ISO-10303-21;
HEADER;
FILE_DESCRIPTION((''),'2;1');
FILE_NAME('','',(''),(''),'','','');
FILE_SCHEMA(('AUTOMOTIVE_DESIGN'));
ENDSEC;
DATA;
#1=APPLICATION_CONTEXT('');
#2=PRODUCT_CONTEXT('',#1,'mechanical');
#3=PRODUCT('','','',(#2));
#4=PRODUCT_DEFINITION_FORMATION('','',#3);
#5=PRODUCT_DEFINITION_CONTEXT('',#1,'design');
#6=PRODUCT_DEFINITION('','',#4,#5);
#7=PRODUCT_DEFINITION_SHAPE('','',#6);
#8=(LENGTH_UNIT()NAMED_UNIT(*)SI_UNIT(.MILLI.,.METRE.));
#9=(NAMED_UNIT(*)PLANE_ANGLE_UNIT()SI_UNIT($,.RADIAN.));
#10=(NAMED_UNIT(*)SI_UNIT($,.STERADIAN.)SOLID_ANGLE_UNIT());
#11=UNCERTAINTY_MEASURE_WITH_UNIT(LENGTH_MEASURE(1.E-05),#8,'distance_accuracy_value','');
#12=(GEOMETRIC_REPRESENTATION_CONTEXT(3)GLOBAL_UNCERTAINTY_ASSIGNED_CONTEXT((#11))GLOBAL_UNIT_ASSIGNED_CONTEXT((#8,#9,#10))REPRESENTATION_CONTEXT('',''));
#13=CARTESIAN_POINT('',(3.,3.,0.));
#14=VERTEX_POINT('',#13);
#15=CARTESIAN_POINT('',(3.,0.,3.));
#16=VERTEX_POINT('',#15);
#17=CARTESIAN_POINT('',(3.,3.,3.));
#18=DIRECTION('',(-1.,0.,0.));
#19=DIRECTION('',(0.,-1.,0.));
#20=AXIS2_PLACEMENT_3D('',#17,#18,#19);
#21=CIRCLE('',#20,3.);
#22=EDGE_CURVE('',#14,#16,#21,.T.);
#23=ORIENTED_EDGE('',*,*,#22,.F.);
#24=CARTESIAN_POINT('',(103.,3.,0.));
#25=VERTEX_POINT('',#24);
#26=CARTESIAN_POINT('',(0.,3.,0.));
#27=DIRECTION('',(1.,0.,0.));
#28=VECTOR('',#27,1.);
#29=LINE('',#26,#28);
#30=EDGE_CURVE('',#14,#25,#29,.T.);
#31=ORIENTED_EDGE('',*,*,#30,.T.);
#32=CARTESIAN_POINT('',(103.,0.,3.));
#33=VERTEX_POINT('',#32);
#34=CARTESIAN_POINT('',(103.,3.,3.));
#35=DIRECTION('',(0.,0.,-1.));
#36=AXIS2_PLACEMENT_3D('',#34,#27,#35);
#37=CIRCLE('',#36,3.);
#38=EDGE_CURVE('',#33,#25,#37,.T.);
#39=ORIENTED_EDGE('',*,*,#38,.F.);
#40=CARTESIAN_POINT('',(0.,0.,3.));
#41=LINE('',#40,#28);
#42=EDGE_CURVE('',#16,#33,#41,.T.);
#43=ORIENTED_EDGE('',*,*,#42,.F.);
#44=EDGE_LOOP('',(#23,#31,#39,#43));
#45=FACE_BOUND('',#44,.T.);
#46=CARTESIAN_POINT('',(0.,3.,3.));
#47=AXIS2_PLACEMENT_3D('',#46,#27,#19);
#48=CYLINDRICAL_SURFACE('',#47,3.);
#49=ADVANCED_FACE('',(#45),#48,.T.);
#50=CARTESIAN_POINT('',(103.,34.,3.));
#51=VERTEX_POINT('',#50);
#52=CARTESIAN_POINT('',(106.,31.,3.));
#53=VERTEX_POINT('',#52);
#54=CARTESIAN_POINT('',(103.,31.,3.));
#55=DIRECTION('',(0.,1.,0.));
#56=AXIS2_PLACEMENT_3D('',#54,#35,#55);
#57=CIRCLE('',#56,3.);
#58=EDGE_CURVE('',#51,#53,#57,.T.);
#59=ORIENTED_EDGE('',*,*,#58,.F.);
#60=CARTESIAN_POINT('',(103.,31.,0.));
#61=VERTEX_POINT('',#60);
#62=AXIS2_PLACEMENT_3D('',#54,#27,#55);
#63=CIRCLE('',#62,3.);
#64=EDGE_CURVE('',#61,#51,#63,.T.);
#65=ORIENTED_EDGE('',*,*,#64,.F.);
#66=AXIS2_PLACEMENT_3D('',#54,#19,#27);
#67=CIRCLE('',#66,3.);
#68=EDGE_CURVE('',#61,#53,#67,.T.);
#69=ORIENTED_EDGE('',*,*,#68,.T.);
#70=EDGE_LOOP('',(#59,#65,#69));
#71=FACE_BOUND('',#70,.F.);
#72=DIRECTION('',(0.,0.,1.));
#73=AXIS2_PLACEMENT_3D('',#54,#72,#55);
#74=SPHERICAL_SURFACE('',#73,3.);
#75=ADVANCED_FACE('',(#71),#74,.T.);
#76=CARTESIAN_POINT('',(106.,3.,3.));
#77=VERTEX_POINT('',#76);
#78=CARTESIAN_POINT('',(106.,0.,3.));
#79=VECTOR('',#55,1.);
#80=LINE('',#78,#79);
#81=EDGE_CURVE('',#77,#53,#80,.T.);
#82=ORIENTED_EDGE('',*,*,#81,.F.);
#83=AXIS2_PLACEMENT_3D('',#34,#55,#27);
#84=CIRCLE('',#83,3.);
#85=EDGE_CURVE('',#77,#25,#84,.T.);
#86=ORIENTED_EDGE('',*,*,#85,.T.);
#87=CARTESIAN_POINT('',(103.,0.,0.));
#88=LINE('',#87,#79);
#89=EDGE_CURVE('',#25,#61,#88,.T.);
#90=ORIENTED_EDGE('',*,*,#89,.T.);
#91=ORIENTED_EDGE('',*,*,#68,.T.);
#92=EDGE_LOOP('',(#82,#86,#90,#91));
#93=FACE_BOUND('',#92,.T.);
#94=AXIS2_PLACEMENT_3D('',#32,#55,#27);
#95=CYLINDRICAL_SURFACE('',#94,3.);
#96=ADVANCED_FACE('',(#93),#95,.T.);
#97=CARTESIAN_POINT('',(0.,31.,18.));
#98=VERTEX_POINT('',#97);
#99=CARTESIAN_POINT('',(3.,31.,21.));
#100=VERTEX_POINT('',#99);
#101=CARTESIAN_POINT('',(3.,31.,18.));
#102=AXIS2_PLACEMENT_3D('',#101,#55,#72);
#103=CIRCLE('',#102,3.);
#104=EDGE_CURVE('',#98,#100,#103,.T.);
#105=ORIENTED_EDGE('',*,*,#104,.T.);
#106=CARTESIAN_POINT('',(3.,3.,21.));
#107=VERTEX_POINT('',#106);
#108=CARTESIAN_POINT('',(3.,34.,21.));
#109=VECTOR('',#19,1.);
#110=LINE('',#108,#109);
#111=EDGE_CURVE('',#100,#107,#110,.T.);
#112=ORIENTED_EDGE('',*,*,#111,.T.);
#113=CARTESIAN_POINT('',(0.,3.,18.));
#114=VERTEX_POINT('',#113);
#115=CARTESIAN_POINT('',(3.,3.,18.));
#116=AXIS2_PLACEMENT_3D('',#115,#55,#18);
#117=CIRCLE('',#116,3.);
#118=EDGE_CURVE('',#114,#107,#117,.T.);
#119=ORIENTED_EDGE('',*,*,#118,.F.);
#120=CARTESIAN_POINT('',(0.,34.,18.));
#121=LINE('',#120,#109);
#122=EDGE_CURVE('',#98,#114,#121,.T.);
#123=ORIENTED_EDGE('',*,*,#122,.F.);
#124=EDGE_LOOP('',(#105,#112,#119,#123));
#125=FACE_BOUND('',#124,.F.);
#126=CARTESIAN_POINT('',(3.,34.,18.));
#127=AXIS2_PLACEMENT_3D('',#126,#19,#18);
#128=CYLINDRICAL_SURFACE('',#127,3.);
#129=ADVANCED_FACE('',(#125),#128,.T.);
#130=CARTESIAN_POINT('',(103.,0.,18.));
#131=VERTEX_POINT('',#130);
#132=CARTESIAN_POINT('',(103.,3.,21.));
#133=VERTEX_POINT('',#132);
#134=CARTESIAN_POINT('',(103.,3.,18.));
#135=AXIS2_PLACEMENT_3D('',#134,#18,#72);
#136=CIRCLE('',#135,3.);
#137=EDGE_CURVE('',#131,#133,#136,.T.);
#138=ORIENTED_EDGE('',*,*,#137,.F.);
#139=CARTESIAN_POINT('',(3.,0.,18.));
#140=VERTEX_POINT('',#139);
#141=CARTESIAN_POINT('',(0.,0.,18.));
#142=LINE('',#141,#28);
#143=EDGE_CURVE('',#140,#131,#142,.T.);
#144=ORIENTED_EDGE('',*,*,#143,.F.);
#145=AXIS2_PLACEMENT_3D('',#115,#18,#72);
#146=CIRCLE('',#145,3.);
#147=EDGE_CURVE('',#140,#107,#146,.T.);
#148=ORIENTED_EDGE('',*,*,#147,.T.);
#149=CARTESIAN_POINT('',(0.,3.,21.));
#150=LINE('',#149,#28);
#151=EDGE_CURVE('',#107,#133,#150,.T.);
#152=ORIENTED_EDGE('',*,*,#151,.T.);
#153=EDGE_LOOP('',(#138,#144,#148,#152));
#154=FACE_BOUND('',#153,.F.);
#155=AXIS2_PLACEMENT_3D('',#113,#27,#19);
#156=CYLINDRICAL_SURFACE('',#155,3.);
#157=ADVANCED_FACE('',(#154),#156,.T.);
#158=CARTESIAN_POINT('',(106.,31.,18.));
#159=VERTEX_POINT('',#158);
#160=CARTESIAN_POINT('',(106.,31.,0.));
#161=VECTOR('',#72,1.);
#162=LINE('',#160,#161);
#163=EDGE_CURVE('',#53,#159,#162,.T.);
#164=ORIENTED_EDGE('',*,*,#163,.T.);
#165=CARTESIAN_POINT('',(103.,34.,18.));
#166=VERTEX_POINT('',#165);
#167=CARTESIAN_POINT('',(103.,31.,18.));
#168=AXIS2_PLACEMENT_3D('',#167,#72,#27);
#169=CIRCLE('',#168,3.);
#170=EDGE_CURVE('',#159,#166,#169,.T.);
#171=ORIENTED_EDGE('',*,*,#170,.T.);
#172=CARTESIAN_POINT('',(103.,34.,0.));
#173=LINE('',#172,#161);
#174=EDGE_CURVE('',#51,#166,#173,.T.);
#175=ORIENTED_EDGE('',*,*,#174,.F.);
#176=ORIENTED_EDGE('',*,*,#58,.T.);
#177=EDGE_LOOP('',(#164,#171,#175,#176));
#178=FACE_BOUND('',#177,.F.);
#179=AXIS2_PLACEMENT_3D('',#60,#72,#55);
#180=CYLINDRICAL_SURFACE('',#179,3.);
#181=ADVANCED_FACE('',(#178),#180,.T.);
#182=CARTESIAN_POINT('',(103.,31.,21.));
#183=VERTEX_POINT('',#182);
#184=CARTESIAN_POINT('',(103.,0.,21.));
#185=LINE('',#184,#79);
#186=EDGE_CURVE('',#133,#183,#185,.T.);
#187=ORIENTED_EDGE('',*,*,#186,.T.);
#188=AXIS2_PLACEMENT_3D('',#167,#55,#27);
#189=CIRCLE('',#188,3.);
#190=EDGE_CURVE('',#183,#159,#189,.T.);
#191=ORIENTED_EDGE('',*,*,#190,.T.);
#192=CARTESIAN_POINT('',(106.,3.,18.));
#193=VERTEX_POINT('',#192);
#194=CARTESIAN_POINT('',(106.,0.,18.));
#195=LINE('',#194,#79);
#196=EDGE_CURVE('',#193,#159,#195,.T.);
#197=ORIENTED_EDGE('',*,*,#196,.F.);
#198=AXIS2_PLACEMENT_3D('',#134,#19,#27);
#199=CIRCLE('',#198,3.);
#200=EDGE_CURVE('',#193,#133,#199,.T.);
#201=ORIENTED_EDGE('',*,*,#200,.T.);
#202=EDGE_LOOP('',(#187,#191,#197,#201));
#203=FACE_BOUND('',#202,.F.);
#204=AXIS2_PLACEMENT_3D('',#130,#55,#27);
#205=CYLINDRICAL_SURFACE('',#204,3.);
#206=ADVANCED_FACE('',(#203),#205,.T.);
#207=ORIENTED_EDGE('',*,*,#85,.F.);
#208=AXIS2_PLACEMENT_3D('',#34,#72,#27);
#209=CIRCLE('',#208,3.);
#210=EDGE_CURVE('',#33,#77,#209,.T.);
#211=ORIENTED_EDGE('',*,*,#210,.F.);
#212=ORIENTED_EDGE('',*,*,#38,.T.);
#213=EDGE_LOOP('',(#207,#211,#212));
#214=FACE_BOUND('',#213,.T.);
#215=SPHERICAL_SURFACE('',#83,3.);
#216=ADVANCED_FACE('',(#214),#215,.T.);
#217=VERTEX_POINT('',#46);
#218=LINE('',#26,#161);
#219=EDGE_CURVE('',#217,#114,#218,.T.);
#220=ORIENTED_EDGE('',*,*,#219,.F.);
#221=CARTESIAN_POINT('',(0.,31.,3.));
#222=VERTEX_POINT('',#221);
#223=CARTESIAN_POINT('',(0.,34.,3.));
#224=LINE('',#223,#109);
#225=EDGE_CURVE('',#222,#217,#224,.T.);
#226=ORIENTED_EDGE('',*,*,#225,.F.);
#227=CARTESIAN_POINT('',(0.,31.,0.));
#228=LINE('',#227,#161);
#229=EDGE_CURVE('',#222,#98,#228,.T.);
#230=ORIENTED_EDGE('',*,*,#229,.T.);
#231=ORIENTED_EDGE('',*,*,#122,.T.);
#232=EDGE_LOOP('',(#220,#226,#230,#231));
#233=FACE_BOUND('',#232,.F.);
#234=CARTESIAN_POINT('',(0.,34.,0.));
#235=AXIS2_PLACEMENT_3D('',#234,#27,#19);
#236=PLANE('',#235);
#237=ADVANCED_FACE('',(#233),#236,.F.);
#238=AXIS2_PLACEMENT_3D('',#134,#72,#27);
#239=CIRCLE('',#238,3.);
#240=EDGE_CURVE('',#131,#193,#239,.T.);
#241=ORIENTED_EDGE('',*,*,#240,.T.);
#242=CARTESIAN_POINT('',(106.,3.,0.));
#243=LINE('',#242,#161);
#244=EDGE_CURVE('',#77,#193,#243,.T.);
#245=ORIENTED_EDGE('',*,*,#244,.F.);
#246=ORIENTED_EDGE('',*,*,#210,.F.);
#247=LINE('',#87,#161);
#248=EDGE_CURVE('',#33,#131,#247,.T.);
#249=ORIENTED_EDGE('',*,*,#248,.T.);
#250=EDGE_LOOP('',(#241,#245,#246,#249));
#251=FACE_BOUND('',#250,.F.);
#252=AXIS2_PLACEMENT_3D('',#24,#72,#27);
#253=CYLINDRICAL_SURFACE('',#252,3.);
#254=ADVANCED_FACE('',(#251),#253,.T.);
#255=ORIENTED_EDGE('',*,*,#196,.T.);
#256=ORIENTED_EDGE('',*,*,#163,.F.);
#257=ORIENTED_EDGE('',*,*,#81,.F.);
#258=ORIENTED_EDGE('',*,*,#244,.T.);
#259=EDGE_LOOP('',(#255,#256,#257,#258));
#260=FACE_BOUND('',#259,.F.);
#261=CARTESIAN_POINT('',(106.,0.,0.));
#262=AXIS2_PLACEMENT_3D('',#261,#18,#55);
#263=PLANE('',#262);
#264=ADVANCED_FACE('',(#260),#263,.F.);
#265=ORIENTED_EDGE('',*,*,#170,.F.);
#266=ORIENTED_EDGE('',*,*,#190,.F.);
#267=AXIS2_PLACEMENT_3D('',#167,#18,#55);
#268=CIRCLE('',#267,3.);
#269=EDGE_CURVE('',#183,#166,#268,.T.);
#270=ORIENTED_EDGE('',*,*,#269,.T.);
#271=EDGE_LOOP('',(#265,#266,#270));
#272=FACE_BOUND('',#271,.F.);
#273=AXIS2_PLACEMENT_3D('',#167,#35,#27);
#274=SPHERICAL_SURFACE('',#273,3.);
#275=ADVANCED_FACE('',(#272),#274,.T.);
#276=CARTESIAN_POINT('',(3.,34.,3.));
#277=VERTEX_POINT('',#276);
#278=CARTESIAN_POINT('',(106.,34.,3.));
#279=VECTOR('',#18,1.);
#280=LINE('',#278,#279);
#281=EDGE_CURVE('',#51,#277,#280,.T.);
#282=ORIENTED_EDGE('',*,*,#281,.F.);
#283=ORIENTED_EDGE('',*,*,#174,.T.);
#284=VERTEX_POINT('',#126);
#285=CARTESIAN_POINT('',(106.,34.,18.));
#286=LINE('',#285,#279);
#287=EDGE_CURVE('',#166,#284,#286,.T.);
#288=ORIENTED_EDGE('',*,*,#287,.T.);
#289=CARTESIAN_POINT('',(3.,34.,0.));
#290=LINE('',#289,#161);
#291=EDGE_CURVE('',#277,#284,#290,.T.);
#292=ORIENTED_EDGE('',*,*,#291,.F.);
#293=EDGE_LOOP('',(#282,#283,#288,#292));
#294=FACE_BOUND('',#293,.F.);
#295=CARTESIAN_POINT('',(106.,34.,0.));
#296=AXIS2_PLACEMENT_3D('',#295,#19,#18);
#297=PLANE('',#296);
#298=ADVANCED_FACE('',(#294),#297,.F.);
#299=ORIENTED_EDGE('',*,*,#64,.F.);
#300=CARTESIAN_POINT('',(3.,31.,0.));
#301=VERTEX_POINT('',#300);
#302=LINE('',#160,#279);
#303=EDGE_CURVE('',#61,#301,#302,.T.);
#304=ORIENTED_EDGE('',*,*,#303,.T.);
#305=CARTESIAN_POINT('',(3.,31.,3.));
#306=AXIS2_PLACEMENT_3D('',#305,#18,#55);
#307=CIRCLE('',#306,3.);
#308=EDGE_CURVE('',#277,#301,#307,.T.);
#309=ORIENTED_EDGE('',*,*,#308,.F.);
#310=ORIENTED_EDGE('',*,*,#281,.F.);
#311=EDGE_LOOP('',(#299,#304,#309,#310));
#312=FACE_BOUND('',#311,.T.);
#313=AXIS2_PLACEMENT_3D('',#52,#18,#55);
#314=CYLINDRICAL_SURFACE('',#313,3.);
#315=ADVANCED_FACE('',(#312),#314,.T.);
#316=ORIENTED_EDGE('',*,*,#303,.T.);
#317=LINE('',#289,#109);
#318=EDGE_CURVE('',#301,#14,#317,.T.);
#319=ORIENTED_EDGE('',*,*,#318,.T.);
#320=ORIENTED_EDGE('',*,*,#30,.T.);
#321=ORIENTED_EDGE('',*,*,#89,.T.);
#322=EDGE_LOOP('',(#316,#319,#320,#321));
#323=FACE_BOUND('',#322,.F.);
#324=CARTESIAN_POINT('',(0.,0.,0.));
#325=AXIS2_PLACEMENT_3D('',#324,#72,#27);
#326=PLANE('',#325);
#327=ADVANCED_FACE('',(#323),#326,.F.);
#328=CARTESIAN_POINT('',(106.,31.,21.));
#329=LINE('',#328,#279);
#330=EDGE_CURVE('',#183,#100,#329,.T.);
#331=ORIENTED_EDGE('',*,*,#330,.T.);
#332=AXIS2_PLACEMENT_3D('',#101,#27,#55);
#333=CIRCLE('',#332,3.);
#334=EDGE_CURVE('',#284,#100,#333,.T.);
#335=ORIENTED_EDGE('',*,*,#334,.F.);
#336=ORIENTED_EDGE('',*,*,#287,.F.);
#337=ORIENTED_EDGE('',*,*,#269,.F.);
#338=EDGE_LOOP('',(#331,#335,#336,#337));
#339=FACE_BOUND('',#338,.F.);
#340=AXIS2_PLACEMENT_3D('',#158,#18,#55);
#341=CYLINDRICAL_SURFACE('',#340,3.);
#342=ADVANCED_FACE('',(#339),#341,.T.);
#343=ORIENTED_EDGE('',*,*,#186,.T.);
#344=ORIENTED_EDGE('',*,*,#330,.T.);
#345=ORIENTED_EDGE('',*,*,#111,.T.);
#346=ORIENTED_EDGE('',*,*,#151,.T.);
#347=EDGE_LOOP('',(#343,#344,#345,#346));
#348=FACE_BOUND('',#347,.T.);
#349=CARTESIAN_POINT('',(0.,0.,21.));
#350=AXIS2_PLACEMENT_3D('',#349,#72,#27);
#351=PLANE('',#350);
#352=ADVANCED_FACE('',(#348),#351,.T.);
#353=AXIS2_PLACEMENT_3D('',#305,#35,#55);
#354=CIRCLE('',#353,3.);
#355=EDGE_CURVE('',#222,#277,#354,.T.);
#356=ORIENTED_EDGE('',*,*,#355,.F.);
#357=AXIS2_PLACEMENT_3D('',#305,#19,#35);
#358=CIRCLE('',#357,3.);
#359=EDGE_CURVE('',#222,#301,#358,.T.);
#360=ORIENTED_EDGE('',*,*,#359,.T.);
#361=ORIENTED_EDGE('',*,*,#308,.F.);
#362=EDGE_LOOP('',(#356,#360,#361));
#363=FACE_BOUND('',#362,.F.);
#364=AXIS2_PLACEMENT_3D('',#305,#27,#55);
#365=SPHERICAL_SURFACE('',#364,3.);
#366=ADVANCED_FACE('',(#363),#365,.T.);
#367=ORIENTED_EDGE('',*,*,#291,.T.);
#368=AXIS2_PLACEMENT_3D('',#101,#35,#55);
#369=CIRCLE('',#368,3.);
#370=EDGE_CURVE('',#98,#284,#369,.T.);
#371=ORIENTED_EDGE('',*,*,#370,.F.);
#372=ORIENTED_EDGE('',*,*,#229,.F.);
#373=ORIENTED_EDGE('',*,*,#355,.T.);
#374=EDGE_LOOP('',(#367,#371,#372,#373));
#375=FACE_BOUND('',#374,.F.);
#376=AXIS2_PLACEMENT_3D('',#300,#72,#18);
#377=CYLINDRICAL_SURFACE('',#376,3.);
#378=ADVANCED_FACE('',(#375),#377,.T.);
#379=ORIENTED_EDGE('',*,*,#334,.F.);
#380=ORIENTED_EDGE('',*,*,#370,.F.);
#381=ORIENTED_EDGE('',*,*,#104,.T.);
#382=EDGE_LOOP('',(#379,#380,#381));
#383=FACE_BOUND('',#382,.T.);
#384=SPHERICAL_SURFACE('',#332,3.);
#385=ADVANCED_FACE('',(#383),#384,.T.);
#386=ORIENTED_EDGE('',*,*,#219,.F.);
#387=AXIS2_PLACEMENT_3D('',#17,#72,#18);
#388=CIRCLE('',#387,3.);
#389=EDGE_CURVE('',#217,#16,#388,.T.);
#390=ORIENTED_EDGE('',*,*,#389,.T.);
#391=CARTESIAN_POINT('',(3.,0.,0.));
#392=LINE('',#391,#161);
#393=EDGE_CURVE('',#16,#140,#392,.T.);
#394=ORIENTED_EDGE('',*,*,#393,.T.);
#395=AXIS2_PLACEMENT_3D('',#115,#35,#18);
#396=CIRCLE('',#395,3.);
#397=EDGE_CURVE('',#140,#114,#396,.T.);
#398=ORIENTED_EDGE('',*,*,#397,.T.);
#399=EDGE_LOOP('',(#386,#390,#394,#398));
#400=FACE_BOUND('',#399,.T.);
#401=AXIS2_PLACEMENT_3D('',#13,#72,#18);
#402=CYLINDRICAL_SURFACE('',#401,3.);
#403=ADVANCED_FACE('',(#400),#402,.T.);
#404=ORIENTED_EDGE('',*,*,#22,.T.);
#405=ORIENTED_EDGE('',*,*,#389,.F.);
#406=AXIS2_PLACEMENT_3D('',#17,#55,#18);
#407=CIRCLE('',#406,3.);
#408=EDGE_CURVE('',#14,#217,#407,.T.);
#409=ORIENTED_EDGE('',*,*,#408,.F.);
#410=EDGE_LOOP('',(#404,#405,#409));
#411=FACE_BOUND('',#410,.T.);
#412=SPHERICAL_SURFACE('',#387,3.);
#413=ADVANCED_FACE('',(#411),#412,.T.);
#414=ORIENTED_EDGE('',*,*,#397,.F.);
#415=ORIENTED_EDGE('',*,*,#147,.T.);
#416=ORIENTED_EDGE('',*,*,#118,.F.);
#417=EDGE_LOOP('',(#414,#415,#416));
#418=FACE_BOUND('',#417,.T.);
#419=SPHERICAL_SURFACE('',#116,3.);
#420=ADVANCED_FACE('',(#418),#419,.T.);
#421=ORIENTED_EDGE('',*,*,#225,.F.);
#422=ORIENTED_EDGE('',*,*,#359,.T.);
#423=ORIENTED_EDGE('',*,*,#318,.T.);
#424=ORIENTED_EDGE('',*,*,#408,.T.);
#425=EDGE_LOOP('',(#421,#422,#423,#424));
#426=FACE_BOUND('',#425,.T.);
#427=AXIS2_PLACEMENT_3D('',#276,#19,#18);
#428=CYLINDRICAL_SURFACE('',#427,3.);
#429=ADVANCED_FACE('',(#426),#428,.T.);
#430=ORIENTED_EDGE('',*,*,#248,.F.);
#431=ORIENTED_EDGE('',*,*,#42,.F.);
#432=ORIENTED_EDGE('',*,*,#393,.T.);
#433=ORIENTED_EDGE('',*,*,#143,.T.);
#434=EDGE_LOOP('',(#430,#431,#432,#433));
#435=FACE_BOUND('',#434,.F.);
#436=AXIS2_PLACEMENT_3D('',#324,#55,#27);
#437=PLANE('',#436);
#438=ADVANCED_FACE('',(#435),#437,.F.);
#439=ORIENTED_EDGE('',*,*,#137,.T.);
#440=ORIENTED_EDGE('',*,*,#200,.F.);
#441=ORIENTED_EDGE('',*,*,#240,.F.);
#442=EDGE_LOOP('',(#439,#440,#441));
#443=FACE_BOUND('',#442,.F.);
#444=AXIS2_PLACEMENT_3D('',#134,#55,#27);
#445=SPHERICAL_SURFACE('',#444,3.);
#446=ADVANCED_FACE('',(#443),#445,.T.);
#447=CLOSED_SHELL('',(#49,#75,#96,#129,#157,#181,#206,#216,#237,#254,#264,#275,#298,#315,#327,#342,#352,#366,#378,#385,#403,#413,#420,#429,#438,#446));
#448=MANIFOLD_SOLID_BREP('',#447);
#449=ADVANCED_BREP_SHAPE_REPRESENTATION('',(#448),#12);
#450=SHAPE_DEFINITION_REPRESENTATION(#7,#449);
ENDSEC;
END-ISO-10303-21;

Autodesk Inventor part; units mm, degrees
ref_plane "YZ Plane" through (0, 0, 0) normal (1, 0, 0) x (0, 1, 0)
ref_plane "XZ Plane" through (0, 0, 0) normal (0, 1, 0) x (-1, 0, 0)
ref_plane "XY Plane" through (0, 0, 0) normal (0, 0, 1) x (1, 0, 0)
sketch "Эскиз1" plane through (0, 0, 0) normal (0, 0, 1) x (1, 0, 0)
  line L0 (0, 0) -> (106, 0)
  line L1 (106, 0) -> (106, 34)
  line L2 (106, 34) -> (0, 34)
  line L3 (0, 34) -> (0, 0)
  dimension "d0" = 106
  dimension "d1" = 34
extrude "Выдавливание1" add sketch "Эскиз1" along normal blind 21
fillet "Сопряжение1" radius 3 12 edges at (106, 34, 10.5) (106, 17, 21) (53, 34, 21) (53, 34, 0) (0, 34, 10.5) (106, 17, 0) (106, 0, 10.5) (0, 17, 21) (0, 0, 10.5) (0, 17, 0) (53, 0, 0) (53, 0, 21)
ref_plane "РабПлоскость1" through (53, 3, 3) normal (-1, 0, 0) x (0, 0, 1)
properties part number "аккум"
